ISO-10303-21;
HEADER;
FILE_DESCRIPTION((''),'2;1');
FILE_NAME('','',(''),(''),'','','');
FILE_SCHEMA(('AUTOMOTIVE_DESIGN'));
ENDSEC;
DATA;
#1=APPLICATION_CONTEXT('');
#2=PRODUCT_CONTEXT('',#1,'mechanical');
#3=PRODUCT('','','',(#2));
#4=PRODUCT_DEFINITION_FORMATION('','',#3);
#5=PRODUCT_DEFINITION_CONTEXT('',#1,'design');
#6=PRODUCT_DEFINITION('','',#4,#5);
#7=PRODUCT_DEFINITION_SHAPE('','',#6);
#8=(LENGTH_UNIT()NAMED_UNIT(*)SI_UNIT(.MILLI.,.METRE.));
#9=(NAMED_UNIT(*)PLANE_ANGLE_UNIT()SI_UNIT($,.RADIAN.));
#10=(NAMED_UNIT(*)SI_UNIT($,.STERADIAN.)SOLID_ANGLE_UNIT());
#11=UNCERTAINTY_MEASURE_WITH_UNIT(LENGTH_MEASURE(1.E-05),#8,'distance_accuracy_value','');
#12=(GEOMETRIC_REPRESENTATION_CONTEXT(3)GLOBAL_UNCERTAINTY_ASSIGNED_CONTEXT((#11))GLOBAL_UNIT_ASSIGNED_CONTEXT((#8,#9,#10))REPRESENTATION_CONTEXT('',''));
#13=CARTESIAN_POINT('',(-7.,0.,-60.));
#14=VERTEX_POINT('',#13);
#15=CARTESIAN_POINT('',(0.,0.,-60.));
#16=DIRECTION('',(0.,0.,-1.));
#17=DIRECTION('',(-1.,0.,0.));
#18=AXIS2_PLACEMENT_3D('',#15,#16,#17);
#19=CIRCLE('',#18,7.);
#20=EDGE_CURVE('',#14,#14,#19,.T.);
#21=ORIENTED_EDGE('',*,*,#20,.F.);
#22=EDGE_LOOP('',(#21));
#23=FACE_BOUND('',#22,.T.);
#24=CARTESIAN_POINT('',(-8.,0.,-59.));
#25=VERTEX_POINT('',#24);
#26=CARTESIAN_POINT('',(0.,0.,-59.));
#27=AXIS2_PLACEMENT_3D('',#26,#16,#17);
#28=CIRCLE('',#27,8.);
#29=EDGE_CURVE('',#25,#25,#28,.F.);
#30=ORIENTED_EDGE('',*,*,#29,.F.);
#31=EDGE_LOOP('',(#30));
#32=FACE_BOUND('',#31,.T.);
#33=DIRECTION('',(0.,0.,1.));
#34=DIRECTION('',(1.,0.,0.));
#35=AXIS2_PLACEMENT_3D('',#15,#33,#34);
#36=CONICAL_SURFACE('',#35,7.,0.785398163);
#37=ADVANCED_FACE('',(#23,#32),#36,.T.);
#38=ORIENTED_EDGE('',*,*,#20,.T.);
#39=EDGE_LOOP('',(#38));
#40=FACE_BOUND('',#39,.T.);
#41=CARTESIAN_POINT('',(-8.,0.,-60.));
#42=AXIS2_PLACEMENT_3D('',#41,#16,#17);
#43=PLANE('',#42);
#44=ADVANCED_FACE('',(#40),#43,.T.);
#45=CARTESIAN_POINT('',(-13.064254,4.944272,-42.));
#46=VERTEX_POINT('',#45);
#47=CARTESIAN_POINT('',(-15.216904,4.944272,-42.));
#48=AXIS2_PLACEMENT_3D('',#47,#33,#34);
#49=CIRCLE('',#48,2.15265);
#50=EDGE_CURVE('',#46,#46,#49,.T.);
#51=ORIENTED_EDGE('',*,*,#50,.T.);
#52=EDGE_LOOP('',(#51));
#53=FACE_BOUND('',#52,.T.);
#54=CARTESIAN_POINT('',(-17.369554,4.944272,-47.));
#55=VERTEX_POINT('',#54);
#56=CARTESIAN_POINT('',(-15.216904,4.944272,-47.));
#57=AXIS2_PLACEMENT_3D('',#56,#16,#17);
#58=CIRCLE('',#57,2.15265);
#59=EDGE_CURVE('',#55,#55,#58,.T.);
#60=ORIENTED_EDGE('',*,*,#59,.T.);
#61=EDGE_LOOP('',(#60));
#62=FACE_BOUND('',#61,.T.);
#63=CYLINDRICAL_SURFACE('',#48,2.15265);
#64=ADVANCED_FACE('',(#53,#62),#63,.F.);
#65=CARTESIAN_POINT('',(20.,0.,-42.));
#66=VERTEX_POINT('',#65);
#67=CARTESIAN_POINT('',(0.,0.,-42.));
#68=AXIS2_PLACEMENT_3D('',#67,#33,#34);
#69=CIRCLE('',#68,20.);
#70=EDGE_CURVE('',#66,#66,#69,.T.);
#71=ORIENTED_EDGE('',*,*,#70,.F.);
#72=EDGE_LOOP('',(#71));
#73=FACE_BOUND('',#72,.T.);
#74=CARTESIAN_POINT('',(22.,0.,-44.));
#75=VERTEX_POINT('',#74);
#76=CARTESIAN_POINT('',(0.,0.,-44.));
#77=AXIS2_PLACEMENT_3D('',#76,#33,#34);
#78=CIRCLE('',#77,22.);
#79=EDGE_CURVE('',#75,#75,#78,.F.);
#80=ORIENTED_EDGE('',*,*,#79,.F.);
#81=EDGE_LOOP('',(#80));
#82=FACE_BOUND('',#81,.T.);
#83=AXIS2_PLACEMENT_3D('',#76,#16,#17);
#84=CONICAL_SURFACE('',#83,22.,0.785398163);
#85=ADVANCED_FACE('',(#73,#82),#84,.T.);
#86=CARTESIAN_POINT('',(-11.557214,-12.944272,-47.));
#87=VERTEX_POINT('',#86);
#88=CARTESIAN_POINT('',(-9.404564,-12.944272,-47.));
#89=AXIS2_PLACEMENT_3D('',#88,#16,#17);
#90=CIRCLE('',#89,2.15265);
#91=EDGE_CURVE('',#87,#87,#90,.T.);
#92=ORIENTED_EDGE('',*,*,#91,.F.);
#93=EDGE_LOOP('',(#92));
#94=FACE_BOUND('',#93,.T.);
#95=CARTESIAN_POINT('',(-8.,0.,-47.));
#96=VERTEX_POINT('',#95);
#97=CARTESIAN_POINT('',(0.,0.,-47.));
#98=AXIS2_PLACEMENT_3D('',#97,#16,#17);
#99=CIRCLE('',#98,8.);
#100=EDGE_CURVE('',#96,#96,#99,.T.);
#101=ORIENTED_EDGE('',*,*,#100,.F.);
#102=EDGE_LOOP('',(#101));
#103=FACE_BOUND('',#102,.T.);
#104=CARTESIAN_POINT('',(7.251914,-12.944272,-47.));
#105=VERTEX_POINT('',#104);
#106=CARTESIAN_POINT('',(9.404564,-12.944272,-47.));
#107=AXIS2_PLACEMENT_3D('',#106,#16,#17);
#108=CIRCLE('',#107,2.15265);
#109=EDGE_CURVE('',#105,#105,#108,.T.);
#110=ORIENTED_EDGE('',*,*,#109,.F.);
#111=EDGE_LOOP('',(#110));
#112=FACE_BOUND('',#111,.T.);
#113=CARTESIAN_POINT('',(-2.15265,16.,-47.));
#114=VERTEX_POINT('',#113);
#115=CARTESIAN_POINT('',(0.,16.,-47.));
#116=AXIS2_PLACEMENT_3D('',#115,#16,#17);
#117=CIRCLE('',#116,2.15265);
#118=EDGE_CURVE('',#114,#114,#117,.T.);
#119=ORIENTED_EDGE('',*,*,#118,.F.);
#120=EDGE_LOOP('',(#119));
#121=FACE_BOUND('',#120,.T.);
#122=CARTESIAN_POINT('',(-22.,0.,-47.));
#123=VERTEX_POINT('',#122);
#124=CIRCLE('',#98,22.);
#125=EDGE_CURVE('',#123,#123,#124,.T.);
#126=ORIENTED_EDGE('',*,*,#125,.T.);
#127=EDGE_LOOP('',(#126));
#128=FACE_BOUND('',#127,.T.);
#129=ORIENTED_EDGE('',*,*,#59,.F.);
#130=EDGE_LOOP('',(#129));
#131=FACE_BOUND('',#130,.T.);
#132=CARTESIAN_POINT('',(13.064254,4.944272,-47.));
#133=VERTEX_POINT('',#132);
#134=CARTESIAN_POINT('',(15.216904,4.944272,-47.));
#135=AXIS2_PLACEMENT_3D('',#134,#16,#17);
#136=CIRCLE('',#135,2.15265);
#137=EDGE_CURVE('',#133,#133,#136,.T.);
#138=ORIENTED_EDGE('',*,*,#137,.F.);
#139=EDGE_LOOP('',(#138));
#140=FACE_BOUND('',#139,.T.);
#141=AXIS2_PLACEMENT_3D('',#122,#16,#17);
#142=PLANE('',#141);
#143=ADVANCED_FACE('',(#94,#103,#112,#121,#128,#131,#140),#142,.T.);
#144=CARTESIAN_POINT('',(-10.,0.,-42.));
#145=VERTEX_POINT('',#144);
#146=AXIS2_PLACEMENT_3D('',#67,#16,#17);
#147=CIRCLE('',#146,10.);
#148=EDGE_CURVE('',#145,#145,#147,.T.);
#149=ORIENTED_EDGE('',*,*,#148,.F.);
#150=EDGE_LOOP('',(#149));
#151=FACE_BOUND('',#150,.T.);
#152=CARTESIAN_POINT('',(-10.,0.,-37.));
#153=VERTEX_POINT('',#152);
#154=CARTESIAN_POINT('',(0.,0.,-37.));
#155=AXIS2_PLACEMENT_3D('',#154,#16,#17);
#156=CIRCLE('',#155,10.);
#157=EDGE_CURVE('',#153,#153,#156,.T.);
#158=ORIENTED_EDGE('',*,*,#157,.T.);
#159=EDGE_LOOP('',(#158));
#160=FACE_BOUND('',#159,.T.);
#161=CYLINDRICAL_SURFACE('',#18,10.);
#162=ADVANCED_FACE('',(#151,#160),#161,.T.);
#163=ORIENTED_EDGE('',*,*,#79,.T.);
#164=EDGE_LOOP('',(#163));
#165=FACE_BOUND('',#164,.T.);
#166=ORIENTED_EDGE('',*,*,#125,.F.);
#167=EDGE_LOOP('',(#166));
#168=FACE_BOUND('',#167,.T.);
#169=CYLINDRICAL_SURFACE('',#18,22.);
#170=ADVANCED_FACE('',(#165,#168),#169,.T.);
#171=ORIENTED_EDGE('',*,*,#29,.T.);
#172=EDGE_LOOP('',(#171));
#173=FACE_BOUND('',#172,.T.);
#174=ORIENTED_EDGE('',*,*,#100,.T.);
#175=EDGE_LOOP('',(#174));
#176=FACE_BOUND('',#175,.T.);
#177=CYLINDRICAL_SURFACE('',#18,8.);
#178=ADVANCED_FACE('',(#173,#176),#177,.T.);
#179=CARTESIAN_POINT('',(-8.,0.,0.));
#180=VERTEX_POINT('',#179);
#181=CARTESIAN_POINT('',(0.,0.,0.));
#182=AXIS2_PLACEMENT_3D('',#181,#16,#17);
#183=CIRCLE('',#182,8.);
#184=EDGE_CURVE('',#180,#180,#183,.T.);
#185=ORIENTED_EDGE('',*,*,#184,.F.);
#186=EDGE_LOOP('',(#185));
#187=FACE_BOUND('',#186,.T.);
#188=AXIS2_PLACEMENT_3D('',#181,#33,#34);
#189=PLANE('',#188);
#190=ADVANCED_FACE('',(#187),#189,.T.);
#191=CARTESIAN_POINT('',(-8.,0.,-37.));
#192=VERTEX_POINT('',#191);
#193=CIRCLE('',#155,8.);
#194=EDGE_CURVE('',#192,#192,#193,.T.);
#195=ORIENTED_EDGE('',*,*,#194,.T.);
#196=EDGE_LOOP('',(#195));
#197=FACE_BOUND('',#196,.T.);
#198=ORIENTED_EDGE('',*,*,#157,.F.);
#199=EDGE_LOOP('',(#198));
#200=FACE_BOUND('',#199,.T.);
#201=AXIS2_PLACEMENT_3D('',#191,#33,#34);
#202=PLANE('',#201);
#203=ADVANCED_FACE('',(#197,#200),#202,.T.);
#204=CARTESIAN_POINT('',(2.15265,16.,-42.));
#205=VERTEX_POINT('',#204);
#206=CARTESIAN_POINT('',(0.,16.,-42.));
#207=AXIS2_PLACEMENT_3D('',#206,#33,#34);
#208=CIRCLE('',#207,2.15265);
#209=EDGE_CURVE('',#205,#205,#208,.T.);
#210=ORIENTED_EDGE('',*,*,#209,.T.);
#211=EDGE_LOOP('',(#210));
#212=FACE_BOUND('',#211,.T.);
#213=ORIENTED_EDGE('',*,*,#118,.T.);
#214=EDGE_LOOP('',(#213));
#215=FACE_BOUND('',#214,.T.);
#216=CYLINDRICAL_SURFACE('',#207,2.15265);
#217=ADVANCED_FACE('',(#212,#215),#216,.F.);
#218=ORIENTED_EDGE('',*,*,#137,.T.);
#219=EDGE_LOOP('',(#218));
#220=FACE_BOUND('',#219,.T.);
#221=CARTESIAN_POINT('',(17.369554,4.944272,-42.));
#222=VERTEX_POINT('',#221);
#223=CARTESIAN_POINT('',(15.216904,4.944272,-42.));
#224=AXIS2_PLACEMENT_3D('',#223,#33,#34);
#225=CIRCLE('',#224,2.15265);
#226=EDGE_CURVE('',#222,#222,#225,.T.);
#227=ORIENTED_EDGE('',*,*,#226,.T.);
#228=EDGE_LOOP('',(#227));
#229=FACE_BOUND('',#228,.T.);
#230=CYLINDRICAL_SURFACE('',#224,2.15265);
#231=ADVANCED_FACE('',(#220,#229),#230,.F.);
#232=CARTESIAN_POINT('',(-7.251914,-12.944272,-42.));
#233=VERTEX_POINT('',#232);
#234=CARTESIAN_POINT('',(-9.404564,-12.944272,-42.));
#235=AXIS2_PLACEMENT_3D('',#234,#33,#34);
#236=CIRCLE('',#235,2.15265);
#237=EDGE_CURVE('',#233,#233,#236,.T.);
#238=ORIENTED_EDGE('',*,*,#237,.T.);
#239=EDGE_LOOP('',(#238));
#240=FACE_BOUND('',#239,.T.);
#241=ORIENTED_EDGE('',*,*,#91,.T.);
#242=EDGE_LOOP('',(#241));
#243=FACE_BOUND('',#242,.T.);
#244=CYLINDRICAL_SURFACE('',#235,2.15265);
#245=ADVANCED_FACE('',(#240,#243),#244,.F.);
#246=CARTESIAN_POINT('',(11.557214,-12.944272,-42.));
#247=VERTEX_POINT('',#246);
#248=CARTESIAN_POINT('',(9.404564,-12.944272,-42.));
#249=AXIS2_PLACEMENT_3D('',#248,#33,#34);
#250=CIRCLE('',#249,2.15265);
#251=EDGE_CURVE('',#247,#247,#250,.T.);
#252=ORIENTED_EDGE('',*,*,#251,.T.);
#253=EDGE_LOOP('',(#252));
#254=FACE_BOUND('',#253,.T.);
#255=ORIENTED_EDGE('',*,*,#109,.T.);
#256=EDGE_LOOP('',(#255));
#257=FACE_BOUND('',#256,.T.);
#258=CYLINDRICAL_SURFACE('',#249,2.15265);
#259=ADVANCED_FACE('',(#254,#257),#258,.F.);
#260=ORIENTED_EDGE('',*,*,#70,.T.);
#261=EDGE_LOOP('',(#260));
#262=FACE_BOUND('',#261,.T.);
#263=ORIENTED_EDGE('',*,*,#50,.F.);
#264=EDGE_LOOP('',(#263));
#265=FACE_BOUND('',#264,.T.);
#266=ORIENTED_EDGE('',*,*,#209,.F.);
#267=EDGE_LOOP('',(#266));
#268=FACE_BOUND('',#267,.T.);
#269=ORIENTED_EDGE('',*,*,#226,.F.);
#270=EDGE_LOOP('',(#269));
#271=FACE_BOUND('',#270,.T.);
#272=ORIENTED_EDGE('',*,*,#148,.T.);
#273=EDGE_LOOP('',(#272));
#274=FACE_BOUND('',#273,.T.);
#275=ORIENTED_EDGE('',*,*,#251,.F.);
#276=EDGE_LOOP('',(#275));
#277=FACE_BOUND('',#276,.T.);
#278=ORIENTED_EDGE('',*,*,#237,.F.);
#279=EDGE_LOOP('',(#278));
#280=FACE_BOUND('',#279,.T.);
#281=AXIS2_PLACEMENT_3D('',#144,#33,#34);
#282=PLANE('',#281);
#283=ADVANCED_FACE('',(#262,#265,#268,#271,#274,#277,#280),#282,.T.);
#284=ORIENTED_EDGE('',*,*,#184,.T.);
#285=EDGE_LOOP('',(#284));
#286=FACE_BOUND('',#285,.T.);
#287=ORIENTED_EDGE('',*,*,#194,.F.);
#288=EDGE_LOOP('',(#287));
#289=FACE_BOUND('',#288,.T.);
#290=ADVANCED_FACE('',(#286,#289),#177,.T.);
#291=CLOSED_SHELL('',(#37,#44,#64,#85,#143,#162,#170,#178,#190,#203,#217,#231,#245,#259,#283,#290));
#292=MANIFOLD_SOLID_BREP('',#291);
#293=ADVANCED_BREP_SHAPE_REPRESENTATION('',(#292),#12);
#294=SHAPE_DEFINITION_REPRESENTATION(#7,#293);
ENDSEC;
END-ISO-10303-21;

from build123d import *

# Parameters (mm, degrees)
CHAMFER1_SIZE             = 2
F_8_CLEARANCE_HOLE1_D     = 4.3053
F_8_CLEARANCE_HOLE1_DEPTH = 12
F_8_CLEARANCE_HOLE1_TIP   = 1.293442612
CHAMFER2_SIZE             = 1


with BuildPart() as part:
    # Sketch3 → Revolve1 (revolve)
    with BuildSketch(Plane(origin=(0, 0, 0), x_dir=(1, 0, 0), z_dir=(0, 1, 0))):
        Polygon((0, 0), (-8, 0), (-8, 37), (-10, 37), (-10, 42), (-22, 42), (-22, 47), (-8, 47), (-8, 60), (0, 60), align=None)
    revolve(axis=Axis((0, 0, -60), (0, 0, 1)))

    # Chamfer1
    chamfer1_edges = [part.edges().sort_by_distance(p)[0] for p in [
        (22, 0, -42),
    ]]
    chamfer(chamfer1_edges, length=CHAMFER1_SIZE)

    # #8 Clearance Hole1
    with Locations(Plane.XY.offset(-42)):
        with Locations((0, 16), (15.216904261, 4.94427191), (9.404564037, -12.94427191), (-9.404564037, -12.94427191), (-15.216904261, 4.94427191)):
            Hole(F_8_CLEARANCE_HOLE1_D / 2, depth=F_8_CLEARANCE_HOLE1_DEPTH)
            with Locations((0, 0, -(F_8_CLEARANCE_HOLE1_DEPTH + F_8_CLEARANCE_HOLE1_TIP / 2))):  # 118° drill point
                Cone(0, F_8_CLEARANCE_HOLE1_D / 2, F_8_CLEARANCE_HOLE1_TIP, mode=Mode.SUBTRACT)

    # Chamfer2
    chamfer2_edges = [part.edges().sort_by_distance(p)[0] for p in [
        (8, 0, -60),
    ]]
    chamfer(chamfer2_edges, length=CHAMFER2_SIZE)


solid = part.part
